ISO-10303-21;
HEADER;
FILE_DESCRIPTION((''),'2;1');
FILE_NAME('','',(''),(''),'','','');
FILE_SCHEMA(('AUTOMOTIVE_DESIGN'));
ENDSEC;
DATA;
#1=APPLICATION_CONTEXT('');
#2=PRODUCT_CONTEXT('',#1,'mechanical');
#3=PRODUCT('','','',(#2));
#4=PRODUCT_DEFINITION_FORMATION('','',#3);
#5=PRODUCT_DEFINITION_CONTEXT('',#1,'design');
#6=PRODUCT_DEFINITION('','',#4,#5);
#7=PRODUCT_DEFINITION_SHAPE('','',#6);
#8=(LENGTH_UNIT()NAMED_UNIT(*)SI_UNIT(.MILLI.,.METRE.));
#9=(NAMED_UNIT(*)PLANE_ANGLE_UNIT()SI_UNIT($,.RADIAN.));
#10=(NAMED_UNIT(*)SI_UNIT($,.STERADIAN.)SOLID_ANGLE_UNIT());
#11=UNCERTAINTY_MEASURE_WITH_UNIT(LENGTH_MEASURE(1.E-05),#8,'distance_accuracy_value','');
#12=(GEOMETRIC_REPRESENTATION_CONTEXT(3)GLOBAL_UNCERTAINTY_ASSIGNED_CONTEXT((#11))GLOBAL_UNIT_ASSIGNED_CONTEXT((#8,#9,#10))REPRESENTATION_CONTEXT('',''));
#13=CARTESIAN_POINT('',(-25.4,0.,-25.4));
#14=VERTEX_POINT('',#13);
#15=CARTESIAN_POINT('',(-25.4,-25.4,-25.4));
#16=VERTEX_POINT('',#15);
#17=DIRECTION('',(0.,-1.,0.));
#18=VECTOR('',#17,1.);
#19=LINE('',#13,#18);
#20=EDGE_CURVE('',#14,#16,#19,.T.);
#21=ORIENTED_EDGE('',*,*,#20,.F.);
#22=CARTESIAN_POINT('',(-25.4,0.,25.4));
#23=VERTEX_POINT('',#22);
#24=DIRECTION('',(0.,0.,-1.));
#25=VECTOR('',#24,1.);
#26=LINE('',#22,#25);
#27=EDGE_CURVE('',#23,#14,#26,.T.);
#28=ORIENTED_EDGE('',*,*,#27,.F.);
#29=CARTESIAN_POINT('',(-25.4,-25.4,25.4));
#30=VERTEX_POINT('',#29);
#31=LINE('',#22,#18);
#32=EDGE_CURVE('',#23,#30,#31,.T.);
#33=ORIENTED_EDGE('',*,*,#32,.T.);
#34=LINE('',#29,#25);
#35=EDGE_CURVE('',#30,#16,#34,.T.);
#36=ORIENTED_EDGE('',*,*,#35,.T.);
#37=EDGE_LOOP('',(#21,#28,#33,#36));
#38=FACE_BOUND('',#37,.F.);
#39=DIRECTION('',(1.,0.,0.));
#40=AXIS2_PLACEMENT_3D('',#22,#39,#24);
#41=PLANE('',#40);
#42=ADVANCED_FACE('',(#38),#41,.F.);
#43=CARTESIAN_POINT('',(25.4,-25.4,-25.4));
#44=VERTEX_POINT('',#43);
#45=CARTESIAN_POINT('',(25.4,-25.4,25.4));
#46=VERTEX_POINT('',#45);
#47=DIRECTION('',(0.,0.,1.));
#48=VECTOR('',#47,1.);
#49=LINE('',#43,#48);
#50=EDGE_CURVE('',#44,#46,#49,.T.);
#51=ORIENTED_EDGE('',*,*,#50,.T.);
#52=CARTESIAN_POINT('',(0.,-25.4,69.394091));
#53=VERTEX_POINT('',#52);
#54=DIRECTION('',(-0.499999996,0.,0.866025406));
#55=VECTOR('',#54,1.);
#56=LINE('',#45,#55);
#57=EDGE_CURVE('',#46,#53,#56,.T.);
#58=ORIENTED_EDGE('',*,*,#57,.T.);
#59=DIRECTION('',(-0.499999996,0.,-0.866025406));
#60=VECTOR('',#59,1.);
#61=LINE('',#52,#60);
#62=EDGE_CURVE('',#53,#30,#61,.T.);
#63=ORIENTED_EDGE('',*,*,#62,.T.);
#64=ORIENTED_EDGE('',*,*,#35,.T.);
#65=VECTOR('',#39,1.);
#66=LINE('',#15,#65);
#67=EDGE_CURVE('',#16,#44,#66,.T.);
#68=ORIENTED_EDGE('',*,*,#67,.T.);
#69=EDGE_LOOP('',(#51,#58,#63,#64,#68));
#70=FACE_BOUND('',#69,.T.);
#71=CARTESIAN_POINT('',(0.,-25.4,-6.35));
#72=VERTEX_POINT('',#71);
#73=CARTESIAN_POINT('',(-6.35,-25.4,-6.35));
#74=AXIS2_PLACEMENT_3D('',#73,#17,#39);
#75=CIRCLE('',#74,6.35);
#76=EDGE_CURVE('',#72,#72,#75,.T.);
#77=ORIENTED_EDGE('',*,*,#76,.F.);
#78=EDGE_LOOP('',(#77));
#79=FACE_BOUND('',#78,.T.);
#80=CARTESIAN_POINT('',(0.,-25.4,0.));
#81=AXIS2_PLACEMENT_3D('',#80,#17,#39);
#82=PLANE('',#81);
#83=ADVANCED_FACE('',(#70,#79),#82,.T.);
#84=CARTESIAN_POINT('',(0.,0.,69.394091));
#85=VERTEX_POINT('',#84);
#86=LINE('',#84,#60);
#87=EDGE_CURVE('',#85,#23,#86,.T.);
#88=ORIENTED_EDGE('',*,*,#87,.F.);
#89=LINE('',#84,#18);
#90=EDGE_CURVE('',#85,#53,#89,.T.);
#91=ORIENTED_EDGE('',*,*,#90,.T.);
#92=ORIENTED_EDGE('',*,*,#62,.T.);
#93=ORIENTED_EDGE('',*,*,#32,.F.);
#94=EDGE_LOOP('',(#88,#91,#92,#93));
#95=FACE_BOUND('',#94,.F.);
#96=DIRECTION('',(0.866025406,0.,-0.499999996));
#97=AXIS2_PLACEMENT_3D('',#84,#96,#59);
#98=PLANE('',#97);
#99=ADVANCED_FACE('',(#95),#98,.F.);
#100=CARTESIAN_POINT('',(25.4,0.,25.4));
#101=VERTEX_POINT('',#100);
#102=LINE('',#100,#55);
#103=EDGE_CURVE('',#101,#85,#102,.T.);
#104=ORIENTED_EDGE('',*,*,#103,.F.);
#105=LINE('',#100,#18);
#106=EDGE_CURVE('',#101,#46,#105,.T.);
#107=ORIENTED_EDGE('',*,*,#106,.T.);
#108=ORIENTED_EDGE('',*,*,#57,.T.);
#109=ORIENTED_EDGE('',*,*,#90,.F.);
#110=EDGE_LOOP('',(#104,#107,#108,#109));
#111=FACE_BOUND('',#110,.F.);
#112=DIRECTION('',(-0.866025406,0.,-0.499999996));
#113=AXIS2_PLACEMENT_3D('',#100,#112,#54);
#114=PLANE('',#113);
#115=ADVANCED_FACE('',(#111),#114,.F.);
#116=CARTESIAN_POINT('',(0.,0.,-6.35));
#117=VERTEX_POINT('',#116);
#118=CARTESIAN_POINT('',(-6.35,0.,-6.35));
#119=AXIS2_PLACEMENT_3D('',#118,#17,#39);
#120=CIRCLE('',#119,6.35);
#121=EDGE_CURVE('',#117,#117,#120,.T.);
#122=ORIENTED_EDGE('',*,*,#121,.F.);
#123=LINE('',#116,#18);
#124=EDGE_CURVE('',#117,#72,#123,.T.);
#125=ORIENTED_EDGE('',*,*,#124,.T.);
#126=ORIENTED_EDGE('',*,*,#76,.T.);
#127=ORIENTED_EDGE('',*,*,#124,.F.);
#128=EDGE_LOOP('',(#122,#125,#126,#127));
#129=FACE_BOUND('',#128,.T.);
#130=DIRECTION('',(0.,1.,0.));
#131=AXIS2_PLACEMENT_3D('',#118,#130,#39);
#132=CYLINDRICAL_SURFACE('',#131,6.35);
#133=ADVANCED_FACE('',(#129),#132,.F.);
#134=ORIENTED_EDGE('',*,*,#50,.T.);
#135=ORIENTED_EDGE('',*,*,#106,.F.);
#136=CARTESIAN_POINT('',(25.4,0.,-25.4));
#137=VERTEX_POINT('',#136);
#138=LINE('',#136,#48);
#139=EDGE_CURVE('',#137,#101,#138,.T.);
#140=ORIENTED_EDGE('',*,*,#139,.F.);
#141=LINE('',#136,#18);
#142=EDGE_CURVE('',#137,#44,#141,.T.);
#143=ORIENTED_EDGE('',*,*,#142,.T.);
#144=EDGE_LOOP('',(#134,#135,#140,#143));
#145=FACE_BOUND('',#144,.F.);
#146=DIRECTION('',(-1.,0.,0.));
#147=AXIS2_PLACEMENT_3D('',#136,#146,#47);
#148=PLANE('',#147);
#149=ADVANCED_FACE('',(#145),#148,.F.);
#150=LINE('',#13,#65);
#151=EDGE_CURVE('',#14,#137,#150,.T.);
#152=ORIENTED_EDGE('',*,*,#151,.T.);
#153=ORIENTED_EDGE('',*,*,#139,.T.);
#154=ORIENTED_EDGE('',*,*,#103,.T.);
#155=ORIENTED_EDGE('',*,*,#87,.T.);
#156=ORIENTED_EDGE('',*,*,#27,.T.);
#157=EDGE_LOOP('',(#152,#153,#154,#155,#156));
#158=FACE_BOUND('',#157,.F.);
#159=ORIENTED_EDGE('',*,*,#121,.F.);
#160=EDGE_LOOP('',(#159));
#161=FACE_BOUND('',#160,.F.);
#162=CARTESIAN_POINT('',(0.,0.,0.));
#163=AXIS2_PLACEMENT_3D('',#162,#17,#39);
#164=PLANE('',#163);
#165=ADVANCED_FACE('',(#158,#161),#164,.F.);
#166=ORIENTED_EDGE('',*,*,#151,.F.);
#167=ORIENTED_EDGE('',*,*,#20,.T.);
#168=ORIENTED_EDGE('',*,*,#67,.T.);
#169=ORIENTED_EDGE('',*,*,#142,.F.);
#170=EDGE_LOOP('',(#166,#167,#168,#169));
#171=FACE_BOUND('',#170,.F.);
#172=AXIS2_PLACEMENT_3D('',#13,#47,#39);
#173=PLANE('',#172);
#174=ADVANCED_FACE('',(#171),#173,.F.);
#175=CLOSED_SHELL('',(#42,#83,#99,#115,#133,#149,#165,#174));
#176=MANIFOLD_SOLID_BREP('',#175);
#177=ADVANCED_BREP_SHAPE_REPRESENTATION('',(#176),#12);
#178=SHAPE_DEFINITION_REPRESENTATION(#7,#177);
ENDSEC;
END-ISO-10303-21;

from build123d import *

# Parameters (mm, degrees)
F0_R     = 6.35
F1_DEPTH = 25.4


with BuildPart() as f1:
    # F0 (on Front) → F1 (new body)
    with BuildSketch(Plane.XZ):
        Polygon((-6.35, -25.4), (25.4, -25.4), (25.4, 25.4), (-25.4, 25.4), (-25.4, -6.35), (-25.4, -25.4), align=None)
        with Locations((-6.35, -6.35)):
            Circle(F0_R, mode=Mode.SUBTRACT)
        Polygon((-25.4, 25.4), (25.4, 25.4), (0, 69.394091), align=None)
    extrude(amount=F1_DEPTH)


solid = f1.part
